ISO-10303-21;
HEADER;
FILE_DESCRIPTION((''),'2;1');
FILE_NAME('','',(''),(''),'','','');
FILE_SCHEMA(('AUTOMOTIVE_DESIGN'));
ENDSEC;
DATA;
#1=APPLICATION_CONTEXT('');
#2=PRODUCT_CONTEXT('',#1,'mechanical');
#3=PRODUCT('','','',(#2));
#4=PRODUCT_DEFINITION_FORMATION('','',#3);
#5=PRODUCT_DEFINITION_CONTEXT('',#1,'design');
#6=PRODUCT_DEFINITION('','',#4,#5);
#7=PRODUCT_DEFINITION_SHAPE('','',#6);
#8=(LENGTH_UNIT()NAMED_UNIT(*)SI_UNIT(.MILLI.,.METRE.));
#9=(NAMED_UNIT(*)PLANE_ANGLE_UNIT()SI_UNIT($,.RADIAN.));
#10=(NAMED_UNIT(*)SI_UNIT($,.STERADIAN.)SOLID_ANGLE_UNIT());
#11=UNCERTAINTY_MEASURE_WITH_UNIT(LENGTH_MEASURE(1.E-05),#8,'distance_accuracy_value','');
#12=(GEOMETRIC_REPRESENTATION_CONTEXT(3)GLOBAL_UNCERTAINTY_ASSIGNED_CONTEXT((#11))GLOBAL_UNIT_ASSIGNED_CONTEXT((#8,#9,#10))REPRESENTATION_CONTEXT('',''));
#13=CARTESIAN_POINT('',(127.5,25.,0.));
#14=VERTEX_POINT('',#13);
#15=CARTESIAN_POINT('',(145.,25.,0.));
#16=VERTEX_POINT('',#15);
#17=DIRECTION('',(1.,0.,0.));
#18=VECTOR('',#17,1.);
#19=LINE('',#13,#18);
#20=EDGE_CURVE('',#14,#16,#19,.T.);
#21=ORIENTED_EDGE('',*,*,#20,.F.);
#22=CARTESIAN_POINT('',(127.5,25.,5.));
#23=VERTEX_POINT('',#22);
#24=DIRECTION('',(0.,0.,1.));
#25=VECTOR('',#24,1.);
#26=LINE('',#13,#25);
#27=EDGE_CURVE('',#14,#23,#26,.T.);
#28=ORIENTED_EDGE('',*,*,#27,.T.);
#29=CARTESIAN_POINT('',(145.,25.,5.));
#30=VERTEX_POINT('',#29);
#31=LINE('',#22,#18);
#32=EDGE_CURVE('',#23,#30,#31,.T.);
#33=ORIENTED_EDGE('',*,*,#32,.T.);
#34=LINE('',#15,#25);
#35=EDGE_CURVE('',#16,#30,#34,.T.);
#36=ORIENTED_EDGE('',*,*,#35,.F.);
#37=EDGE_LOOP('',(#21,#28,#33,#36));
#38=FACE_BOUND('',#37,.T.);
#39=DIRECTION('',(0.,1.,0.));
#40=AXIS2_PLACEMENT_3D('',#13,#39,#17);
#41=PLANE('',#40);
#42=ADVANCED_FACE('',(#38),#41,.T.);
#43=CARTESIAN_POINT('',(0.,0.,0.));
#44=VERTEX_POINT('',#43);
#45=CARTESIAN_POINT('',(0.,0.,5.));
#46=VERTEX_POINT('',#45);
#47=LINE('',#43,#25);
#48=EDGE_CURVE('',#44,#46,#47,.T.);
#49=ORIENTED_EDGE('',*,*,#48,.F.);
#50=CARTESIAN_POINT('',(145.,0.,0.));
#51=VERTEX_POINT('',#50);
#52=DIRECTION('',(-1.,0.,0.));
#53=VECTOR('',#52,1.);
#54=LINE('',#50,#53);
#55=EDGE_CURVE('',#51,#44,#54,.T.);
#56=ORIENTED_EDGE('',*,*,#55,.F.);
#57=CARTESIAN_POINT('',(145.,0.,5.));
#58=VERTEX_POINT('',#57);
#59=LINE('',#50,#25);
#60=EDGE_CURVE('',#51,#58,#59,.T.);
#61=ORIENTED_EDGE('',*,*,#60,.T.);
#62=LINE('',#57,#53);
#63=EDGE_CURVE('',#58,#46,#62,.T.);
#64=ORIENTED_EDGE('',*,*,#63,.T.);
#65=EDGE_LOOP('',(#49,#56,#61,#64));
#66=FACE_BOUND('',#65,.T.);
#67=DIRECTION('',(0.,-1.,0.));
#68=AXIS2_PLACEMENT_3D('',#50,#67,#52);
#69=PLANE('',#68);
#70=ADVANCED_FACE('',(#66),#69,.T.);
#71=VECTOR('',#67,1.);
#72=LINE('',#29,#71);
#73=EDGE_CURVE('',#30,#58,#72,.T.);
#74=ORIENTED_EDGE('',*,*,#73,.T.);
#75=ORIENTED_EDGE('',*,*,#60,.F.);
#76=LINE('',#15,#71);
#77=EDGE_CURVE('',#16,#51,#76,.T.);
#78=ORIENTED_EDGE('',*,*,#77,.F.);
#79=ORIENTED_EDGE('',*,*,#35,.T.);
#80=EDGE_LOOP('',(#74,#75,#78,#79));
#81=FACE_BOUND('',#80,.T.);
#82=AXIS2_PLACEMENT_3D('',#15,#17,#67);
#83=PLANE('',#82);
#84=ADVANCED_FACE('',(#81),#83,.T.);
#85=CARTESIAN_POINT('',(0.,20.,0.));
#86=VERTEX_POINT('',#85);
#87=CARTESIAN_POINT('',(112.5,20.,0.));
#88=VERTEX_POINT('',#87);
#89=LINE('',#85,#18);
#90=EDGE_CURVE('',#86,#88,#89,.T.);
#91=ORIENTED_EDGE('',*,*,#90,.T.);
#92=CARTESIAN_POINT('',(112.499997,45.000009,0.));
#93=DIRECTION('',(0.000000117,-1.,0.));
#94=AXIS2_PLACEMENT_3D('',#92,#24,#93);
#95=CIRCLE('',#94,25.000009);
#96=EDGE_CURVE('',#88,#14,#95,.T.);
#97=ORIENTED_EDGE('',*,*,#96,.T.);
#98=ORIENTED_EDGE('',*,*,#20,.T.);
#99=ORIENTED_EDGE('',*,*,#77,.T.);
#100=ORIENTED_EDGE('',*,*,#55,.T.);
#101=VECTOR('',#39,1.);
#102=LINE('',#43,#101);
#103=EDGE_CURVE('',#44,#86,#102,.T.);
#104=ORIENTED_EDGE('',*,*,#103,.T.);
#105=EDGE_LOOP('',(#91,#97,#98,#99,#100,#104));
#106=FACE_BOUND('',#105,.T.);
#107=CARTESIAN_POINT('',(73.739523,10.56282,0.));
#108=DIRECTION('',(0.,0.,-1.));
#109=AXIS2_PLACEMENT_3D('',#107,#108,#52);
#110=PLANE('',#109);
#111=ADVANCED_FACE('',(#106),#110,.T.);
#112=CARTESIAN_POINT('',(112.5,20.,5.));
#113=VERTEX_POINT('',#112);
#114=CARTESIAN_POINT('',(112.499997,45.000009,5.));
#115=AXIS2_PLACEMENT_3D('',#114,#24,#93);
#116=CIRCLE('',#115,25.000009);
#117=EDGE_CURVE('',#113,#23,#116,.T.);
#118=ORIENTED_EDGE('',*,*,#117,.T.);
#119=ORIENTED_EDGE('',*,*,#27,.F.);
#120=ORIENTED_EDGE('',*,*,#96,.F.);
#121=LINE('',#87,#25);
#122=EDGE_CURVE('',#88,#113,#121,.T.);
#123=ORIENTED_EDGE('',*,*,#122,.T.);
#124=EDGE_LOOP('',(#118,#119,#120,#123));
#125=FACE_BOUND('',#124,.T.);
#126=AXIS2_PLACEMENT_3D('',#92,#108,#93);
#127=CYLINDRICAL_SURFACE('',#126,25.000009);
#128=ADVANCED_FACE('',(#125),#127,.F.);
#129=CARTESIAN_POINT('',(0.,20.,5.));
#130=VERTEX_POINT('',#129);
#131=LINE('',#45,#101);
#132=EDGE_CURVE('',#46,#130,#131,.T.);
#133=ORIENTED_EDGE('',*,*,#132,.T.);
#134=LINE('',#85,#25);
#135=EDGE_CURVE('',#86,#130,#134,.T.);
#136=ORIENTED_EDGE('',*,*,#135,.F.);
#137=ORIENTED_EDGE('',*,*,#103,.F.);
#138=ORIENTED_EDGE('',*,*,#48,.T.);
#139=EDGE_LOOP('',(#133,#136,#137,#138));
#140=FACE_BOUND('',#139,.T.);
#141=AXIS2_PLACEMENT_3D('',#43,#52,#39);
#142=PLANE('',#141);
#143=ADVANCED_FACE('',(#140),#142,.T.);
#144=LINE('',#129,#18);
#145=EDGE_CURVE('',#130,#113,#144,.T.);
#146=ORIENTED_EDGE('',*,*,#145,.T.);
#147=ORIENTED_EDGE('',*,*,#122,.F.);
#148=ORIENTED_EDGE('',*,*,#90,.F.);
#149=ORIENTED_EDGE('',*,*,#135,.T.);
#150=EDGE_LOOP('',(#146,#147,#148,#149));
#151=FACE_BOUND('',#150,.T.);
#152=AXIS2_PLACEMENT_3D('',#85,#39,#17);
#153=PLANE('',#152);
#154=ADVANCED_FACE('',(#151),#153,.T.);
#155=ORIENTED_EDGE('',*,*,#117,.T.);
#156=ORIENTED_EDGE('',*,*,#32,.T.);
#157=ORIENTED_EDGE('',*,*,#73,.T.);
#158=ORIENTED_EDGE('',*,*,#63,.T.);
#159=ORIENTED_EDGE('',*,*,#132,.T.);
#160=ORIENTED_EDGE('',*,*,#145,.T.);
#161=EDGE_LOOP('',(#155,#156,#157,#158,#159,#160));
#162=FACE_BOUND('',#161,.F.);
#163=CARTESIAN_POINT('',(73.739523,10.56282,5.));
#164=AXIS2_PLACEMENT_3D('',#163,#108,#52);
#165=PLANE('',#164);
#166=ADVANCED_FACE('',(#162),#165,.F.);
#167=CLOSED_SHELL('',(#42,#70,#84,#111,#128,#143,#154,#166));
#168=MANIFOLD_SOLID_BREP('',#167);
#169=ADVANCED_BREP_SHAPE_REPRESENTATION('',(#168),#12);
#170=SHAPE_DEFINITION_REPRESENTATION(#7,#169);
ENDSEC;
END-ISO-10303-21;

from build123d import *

# Parameters (mm, degrees)
PAD_DEPTH = 5


with BuildPart() as part:
    # Sketch → Pad (new body)
    with BuildSketch(Plane.XY):
        with BuildLine():
            Line((127.5, 25), (145, 25))
            Line((145, 25), (145, 0))
            Line((145, 0), (0, 0))
            Line((0, 0), (0, 20))
            Line((0, 20), (112.5, 20))
            ThreePointArc((112.5, 20), (120.405694, 21.282918), (127.5, 25))
        make_face()
    extrude(amount=PAD_DEPTH)


solid = part.part
